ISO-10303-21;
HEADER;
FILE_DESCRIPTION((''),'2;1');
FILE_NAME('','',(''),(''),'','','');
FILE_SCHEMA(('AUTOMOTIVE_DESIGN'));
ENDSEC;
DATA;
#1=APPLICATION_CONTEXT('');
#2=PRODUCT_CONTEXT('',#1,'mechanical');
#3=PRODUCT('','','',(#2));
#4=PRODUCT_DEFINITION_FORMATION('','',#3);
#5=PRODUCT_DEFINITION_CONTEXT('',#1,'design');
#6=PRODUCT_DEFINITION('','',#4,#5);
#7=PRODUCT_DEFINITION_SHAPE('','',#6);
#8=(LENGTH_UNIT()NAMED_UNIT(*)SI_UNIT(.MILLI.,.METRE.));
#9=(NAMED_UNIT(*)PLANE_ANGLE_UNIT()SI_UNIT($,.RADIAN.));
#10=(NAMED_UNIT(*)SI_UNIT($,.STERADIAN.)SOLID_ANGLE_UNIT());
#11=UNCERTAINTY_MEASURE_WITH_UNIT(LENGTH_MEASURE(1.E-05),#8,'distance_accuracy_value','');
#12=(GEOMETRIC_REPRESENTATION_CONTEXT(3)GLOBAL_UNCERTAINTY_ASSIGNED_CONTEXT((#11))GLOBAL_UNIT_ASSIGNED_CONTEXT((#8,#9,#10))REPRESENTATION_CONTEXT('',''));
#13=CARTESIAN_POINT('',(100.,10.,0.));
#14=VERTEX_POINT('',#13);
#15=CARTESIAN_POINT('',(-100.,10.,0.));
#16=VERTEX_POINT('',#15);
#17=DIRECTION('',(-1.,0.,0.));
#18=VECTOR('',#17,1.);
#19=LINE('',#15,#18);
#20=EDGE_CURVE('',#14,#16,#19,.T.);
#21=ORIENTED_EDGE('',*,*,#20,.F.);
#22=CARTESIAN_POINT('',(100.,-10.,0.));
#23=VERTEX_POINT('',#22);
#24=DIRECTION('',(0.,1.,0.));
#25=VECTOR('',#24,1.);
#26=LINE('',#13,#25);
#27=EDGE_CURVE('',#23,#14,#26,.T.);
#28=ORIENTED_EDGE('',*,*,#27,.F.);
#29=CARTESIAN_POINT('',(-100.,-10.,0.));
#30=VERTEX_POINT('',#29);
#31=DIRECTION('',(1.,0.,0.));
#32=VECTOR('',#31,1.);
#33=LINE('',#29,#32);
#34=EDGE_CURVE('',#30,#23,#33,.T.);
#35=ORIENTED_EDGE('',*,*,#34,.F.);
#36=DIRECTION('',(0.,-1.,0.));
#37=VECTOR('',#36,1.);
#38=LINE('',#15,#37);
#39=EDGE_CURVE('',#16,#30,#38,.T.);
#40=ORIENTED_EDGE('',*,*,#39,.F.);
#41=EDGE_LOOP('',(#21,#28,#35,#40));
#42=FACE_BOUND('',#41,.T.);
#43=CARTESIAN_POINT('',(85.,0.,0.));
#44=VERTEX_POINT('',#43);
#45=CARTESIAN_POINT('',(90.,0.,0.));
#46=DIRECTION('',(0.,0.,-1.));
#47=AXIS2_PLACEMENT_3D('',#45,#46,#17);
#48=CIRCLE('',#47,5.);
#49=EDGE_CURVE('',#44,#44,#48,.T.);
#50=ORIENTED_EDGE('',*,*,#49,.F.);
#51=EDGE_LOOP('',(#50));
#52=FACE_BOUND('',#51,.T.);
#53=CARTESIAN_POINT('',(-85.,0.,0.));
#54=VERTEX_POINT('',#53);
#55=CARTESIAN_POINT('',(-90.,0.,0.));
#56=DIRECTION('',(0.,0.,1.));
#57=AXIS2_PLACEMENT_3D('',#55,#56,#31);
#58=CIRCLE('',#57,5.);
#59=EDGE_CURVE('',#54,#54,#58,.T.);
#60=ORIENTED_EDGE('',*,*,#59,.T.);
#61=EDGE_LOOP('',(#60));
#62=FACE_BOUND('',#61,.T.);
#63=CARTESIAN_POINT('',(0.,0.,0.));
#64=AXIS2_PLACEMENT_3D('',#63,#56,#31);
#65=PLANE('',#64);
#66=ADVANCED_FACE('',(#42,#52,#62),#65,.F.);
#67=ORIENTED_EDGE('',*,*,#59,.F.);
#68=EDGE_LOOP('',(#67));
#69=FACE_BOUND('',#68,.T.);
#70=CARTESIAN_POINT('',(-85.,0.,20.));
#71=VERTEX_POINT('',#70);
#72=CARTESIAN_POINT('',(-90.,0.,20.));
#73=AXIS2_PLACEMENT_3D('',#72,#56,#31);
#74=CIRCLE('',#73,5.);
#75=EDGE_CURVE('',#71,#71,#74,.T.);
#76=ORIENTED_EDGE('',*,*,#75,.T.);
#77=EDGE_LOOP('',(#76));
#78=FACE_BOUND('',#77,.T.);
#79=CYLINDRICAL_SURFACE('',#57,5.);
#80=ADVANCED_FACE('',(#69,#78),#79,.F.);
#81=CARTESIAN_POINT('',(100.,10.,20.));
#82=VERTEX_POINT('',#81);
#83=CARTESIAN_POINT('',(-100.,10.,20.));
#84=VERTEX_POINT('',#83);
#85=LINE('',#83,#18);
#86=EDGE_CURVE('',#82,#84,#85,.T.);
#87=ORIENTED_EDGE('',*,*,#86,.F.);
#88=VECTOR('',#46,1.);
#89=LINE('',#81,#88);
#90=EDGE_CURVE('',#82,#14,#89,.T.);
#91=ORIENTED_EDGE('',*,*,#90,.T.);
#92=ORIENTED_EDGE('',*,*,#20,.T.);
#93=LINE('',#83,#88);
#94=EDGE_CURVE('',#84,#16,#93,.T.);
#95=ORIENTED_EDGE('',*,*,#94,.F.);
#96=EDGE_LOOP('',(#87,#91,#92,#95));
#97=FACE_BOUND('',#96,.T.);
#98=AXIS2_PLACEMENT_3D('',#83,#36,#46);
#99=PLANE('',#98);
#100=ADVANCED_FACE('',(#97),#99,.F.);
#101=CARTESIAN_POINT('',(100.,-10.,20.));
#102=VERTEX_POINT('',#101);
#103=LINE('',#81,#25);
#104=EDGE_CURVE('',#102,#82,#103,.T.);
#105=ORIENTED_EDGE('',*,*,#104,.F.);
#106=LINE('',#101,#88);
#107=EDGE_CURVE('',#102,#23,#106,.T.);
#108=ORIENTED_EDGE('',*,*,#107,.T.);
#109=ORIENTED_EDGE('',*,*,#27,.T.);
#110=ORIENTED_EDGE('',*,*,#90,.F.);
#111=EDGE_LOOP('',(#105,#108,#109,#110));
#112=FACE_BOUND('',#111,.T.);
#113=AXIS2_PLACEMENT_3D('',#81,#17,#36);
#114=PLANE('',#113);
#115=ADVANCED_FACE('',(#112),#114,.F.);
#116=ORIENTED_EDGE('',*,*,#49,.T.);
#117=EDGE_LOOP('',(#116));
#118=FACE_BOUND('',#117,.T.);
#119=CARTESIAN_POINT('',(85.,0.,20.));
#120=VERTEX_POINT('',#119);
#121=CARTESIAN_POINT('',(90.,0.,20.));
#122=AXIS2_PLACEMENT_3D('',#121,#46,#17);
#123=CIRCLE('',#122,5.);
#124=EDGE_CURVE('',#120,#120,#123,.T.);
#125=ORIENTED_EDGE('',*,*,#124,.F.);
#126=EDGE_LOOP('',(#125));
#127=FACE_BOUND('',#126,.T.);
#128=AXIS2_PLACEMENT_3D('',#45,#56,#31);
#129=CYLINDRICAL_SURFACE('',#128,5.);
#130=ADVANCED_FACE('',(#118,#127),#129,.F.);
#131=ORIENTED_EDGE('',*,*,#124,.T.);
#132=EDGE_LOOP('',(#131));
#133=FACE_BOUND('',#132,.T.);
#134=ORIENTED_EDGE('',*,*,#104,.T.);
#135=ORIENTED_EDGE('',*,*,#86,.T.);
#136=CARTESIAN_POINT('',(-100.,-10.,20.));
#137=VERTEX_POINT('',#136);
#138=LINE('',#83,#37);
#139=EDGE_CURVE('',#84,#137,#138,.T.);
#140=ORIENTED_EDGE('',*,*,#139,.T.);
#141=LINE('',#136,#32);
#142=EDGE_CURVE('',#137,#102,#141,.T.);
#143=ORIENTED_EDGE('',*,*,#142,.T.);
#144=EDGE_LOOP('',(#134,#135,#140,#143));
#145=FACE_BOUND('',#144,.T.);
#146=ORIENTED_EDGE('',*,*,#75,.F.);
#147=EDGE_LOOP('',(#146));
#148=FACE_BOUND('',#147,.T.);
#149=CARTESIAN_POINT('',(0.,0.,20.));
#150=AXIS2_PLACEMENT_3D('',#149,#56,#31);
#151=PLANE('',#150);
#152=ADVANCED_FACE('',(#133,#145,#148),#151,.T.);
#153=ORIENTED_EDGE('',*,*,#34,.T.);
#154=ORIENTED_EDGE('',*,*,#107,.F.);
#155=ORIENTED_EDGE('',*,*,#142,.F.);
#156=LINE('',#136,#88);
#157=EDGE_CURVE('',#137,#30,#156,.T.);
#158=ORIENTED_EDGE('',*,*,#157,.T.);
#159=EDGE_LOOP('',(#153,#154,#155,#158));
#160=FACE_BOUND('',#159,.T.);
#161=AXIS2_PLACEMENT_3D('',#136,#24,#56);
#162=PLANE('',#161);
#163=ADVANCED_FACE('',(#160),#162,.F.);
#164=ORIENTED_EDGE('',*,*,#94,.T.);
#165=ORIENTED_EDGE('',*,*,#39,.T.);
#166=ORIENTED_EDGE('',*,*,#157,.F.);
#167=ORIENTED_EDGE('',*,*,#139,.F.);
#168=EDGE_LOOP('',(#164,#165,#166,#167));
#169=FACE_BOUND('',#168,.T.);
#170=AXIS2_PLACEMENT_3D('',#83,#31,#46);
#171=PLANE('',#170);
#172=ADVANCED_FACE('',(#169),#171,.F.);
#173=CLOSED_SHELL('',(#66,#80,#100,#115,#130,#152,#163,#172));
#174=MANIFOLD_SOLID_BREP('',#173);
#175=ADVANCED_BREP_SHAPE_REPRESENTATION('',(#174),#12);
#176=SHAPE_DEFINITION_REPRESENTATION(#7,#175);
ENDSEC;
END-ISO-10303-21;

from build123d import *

# Parameters (mm, degrees)
SKETCH1_W           = 200
SKETCH1_H           = 20
BOSS_EXTRUDE2_DEPTH = 20
SKETCH3_R           = 5
CUT_EXTRUDE1_DEPTH  = 103.46950766


with BuildPart() as part:
    # Sketch1 → Boss-Extrude2 (new body)
    with BuildSketch(Plane.XY):
        Rectangle(SKETCH1_W, SKETCH1_H)
    extrude(amount=BOSS_EXTRUDE2_DEPTH)

    # Sketch3 → Cut-Extrude1 (cut, through all)
    with BuildSketch(Plane.XY.offset(20)):
        with Locations((-90, 0)):
            Circle(SKETCH3_R)
    cut_extrude1 = extrude(amount=-CUT_EXTRUDE1_DEPTH, mode=Mode.SUBTRACT)

    # Mirror1: Cut-Extrude1 across plane
    add(cut_extrude1.mirror(Plane(origin=(0, 0, 0), x_dir=(0, 0, 1), z_dir=(1, 0, 0))), mode=Mode.SUBTRACT)


solid = part.part
